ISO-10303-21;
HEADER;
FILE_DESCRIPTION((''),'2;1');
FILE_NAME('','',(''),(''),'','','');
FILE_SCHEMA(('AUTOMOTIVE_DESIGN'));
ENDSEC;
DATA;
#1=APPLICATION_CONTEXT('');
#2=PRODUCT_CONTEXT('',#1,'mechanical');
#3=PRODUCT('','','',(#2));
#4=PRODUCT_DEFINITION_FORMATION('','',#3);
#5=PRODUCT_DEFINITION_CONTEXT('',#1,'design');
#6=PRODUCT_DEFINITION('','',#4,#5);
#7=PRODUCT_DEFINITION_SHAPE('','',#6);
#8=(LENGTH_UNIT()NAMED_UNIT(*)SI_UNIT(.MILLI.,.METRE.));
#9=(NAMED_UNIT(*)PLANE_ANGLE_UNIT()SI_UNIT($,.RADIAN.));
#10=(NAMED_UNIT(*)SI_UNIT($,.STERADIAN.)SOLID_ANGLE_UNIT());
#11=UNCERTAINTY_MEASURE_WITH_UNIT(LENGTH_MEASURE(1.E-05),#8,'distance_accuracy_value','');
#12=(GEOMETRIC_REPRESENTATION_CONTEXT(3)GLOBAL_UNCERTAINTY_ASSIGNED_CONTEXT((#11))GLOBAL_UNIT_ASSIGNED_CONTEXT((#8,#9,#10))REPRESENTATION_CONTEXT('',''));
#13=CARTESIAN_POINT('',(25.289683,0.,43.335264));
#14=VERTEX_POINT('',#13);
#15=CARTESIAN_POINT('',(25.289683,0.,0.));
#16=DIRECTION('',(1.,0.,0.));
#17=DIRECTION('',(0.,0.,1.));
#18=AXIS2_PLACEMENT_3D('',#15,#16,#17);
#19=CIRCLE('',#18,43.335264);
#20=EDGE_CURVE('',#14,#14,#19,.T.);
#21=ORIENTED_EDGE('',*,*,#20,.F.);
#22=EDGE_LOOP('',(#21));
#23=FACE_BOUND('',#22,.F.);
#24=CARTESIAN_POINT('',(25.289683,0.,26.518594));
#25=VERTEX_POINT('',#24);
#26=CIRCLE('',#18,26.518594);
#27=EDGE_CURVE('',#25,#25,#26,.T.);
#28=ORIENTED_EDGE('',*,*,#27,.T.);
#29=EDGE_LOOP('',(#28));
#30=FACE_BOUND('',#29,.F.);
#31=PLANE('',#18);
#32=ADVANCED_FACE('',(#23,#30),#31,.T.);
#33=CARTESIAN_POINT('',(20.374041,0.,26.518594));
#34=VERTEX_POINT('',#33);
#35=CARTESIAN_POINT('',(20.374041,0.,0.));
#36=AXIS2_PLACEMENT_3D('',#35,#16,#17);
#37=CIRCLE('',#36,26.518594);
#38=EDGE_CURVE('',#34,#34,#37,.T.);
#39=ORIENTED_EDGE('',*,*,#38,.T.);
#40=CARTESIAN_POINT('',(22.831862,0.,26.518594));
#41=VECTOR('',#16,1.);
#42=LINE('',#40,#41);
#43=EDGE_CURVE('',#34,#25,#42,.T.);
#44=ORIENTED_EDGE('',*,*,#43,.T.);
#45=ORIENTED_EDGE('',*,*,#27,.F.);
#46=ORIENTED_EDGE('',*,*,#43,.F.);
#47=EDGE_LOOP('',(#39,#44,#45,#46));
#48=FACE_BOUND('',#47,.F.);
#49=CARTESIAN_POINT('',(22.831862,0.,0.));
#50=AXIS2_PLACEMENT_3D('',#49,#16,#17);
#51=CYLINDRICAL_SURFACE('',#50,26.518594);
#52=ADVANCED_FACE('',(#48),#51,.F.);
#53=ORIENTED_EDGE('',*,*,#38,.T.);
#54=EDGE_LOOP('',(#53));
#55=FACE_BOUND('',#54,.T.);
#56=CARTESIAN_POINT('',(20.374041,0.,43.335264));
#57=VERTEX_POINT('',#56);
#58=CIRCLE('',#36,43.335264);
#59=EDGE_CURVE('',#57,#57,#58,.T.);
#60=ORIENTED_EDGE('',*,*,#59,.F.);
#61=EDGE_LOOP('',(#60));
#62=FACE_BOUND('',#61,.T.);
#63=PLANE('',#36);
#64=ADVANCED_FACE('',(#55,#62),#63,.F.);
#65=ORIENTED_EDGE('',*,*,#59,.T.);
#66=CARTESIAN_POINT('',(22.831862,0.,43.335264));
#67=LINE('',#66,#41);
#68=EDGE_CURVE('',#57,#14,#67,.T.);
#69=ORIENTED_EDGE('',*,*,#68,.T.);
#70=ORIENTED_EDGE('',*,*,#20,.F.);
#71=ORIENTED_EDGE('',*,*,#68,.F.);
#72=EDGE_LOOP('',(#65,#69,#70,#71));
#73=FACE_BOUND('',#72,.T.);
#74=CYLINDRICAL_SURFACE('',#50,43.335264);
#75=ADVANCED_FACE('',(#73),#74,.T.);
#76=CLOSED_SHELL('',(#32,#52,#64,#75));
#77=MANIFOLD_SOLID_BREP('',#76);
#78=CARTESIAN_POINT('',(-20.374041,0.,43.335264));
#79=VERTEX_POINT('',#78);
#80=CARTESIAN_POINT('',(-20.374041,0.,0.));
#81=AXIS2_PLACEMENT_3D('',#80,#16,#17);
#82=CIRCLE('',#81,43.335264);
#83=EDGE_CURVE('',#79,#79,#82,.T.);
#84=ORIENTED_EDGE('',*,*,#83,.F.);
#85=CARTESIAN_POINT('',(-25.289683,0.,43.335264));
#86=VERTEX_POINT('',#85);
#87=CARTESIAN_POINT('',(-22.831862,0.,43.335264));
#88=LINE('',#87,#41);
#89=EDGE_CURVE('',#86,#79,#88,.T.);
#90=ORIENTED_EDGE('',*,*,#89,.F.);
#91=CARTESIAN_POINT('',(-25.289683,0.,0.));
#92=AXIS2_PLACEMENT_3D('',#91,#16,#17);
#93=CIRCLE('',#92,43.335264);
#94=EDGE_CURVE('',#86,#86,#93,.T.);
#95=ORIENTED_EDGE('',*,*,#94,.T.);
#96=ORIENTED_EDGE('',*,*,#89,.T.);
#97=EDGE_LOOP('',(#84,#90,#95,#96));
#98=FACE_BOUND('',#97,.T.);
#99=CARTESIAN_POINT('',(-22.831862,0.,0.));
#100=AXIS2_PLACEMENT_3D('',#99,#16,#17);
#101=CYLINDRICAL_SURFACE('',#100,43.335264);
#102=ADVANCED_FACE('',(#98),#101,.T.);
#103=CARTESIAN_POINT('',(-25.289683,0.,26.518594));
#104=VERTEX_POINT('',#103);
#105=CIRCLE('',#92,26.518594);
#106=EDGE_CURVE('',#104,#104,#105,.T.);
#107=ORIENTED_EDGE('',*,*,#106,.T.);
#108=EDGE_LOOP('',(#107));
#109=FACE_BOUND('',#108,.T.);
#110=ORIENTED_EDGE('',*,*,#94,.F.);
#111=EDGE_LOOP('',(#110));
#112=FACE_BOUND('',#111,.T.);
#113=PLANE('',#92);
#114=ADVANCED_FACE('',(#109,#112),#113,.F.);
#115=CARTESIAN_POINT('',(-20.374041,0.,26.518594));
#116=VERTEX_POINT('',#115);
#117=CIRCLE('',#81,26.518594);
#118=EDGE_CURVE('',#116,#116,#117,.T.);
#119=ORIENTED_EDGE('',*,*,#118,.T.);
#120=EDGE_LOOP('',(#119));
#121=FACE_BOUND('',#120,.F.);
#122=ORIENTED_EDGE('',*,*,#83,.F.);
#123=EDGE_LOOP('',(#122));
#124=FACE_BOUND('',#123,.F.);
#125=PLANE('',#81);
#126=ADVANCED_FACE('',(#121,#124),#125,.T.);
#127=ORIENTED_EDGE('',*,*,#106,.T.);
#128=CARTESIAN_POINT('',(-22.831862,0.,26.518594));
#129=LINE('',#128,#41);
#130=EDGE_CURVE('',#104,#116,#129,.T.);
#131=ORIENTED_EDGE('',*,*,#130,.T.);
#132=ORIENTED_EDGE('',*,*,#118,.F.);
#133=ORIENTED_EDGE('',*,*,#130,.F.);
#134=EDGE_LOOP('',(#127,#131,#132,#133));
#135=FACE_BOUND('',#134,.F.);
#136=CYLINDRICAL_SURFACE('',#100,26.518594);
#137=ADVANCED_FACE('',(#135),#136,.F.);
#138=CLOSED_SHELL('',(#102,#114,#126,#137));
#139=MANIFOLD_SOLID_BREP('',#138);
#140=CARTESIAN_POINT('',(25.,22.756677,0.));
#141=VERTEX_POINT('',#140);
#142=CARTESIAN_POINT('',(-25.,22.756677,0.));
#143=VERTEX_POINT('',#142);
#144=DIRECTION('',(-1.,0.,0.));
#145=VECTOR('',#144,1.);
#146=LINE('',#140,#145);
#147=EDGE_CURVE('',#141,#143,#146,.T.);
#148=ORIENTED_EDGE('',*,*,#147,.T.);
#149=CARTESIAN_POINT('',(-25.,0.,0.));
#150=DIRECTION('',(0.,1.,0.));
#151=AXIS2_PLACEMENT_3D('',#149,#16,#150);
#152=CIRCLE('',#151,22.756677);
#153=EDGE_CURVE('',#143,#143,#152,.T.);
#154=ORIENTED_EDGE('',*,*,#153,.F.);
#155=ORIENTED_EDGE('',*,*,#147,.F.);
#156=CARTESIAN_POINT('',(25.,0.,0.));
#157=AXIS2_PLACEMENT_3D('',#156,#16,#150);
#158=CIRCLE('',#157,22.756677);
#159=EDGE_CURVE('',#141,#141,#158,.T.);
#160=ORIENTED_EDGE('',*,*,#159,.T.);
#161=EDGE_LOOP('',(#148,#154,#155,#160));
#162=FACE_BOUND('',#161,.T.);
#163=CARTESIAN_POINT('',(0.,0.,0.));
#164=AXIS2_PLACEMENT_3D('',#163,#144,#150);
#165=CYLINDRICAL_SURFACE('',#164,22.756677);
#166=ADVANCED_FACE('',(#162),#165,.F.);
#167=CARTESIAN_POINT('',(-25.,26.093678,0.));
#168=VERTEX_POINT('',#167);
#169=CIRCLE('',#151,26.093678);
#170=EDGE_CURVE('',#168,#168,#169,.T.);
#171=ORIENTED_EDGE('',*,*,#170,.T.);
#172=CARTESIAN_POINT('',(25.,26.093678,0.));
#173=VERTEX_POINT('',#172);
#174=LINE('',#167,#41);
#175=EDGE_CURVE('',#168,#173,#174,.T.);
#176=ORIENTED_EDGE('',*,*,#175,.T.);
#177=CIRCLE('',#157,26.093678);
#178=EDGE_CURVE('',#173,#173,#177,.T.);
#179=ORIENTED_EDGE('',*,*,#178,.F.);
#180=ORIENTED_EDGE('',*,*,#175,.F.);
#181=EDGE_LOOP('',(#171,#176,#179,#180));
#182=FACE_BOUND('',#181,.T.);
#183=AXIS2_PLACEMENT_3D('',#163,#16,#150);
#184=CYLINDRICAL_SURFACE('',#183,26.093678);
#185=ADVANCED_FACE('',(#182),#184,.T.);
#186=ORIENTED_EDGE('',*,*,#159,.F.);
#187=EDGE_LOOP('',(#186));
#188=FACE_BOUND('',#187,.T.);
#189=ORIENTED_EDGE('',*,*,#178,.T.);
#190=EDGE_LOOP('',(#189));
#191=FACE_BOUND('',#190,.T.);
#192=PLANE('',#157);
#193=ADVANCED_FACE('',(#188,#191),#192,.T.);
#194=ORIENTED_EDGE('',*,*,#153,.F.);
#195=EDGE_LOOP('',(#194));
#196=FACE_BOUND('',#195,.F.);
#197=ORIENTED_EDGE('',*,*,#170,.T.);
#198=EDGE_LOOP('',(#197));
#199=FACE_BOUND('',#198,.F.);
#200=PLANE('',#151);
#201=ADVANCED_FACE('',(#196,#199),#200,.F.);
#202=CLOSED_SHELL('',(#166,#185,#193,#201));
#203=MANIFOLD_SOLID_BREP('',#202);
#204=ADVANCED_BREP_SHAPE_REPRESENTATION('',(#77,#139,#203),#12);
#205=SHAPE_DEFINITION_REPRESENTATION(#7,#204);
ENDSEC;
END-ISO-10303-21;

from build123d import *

# Parameters (mm, degrees)
F0_R     = 26.093678
F0_R_2   = 22.756677
F1_DEPTH = 25
F2_W     = 4.915642
F2_H     = 16.816669


with BuildPart() as f1:
    # F0 (on Right) → F1 (new body, symmetric)
    with BuildSketch(Plane.YZ):
        Circle(F0_R)
        Circle(F0_R_2, mode=Mode.SUBTRACT)
    extrude(amount=F1_DEPTH, both=True)


with BuildPart() as f4:
    # F2 (on Front) → F4 (revolve)
    with BuildSketch(Plane.XZ):
        with Locations((-22.831862, 34.926929)):
            Rectangle(F2_W, F2_H)
        with Locations((22.831862, 34.926929)):
            Rectangle(F2_W, F2_H)
    revolve(axis=Axis((0.06468, 0, 0), (1, 0, 0)))


solid = Compound([f1.part, f4.part])
